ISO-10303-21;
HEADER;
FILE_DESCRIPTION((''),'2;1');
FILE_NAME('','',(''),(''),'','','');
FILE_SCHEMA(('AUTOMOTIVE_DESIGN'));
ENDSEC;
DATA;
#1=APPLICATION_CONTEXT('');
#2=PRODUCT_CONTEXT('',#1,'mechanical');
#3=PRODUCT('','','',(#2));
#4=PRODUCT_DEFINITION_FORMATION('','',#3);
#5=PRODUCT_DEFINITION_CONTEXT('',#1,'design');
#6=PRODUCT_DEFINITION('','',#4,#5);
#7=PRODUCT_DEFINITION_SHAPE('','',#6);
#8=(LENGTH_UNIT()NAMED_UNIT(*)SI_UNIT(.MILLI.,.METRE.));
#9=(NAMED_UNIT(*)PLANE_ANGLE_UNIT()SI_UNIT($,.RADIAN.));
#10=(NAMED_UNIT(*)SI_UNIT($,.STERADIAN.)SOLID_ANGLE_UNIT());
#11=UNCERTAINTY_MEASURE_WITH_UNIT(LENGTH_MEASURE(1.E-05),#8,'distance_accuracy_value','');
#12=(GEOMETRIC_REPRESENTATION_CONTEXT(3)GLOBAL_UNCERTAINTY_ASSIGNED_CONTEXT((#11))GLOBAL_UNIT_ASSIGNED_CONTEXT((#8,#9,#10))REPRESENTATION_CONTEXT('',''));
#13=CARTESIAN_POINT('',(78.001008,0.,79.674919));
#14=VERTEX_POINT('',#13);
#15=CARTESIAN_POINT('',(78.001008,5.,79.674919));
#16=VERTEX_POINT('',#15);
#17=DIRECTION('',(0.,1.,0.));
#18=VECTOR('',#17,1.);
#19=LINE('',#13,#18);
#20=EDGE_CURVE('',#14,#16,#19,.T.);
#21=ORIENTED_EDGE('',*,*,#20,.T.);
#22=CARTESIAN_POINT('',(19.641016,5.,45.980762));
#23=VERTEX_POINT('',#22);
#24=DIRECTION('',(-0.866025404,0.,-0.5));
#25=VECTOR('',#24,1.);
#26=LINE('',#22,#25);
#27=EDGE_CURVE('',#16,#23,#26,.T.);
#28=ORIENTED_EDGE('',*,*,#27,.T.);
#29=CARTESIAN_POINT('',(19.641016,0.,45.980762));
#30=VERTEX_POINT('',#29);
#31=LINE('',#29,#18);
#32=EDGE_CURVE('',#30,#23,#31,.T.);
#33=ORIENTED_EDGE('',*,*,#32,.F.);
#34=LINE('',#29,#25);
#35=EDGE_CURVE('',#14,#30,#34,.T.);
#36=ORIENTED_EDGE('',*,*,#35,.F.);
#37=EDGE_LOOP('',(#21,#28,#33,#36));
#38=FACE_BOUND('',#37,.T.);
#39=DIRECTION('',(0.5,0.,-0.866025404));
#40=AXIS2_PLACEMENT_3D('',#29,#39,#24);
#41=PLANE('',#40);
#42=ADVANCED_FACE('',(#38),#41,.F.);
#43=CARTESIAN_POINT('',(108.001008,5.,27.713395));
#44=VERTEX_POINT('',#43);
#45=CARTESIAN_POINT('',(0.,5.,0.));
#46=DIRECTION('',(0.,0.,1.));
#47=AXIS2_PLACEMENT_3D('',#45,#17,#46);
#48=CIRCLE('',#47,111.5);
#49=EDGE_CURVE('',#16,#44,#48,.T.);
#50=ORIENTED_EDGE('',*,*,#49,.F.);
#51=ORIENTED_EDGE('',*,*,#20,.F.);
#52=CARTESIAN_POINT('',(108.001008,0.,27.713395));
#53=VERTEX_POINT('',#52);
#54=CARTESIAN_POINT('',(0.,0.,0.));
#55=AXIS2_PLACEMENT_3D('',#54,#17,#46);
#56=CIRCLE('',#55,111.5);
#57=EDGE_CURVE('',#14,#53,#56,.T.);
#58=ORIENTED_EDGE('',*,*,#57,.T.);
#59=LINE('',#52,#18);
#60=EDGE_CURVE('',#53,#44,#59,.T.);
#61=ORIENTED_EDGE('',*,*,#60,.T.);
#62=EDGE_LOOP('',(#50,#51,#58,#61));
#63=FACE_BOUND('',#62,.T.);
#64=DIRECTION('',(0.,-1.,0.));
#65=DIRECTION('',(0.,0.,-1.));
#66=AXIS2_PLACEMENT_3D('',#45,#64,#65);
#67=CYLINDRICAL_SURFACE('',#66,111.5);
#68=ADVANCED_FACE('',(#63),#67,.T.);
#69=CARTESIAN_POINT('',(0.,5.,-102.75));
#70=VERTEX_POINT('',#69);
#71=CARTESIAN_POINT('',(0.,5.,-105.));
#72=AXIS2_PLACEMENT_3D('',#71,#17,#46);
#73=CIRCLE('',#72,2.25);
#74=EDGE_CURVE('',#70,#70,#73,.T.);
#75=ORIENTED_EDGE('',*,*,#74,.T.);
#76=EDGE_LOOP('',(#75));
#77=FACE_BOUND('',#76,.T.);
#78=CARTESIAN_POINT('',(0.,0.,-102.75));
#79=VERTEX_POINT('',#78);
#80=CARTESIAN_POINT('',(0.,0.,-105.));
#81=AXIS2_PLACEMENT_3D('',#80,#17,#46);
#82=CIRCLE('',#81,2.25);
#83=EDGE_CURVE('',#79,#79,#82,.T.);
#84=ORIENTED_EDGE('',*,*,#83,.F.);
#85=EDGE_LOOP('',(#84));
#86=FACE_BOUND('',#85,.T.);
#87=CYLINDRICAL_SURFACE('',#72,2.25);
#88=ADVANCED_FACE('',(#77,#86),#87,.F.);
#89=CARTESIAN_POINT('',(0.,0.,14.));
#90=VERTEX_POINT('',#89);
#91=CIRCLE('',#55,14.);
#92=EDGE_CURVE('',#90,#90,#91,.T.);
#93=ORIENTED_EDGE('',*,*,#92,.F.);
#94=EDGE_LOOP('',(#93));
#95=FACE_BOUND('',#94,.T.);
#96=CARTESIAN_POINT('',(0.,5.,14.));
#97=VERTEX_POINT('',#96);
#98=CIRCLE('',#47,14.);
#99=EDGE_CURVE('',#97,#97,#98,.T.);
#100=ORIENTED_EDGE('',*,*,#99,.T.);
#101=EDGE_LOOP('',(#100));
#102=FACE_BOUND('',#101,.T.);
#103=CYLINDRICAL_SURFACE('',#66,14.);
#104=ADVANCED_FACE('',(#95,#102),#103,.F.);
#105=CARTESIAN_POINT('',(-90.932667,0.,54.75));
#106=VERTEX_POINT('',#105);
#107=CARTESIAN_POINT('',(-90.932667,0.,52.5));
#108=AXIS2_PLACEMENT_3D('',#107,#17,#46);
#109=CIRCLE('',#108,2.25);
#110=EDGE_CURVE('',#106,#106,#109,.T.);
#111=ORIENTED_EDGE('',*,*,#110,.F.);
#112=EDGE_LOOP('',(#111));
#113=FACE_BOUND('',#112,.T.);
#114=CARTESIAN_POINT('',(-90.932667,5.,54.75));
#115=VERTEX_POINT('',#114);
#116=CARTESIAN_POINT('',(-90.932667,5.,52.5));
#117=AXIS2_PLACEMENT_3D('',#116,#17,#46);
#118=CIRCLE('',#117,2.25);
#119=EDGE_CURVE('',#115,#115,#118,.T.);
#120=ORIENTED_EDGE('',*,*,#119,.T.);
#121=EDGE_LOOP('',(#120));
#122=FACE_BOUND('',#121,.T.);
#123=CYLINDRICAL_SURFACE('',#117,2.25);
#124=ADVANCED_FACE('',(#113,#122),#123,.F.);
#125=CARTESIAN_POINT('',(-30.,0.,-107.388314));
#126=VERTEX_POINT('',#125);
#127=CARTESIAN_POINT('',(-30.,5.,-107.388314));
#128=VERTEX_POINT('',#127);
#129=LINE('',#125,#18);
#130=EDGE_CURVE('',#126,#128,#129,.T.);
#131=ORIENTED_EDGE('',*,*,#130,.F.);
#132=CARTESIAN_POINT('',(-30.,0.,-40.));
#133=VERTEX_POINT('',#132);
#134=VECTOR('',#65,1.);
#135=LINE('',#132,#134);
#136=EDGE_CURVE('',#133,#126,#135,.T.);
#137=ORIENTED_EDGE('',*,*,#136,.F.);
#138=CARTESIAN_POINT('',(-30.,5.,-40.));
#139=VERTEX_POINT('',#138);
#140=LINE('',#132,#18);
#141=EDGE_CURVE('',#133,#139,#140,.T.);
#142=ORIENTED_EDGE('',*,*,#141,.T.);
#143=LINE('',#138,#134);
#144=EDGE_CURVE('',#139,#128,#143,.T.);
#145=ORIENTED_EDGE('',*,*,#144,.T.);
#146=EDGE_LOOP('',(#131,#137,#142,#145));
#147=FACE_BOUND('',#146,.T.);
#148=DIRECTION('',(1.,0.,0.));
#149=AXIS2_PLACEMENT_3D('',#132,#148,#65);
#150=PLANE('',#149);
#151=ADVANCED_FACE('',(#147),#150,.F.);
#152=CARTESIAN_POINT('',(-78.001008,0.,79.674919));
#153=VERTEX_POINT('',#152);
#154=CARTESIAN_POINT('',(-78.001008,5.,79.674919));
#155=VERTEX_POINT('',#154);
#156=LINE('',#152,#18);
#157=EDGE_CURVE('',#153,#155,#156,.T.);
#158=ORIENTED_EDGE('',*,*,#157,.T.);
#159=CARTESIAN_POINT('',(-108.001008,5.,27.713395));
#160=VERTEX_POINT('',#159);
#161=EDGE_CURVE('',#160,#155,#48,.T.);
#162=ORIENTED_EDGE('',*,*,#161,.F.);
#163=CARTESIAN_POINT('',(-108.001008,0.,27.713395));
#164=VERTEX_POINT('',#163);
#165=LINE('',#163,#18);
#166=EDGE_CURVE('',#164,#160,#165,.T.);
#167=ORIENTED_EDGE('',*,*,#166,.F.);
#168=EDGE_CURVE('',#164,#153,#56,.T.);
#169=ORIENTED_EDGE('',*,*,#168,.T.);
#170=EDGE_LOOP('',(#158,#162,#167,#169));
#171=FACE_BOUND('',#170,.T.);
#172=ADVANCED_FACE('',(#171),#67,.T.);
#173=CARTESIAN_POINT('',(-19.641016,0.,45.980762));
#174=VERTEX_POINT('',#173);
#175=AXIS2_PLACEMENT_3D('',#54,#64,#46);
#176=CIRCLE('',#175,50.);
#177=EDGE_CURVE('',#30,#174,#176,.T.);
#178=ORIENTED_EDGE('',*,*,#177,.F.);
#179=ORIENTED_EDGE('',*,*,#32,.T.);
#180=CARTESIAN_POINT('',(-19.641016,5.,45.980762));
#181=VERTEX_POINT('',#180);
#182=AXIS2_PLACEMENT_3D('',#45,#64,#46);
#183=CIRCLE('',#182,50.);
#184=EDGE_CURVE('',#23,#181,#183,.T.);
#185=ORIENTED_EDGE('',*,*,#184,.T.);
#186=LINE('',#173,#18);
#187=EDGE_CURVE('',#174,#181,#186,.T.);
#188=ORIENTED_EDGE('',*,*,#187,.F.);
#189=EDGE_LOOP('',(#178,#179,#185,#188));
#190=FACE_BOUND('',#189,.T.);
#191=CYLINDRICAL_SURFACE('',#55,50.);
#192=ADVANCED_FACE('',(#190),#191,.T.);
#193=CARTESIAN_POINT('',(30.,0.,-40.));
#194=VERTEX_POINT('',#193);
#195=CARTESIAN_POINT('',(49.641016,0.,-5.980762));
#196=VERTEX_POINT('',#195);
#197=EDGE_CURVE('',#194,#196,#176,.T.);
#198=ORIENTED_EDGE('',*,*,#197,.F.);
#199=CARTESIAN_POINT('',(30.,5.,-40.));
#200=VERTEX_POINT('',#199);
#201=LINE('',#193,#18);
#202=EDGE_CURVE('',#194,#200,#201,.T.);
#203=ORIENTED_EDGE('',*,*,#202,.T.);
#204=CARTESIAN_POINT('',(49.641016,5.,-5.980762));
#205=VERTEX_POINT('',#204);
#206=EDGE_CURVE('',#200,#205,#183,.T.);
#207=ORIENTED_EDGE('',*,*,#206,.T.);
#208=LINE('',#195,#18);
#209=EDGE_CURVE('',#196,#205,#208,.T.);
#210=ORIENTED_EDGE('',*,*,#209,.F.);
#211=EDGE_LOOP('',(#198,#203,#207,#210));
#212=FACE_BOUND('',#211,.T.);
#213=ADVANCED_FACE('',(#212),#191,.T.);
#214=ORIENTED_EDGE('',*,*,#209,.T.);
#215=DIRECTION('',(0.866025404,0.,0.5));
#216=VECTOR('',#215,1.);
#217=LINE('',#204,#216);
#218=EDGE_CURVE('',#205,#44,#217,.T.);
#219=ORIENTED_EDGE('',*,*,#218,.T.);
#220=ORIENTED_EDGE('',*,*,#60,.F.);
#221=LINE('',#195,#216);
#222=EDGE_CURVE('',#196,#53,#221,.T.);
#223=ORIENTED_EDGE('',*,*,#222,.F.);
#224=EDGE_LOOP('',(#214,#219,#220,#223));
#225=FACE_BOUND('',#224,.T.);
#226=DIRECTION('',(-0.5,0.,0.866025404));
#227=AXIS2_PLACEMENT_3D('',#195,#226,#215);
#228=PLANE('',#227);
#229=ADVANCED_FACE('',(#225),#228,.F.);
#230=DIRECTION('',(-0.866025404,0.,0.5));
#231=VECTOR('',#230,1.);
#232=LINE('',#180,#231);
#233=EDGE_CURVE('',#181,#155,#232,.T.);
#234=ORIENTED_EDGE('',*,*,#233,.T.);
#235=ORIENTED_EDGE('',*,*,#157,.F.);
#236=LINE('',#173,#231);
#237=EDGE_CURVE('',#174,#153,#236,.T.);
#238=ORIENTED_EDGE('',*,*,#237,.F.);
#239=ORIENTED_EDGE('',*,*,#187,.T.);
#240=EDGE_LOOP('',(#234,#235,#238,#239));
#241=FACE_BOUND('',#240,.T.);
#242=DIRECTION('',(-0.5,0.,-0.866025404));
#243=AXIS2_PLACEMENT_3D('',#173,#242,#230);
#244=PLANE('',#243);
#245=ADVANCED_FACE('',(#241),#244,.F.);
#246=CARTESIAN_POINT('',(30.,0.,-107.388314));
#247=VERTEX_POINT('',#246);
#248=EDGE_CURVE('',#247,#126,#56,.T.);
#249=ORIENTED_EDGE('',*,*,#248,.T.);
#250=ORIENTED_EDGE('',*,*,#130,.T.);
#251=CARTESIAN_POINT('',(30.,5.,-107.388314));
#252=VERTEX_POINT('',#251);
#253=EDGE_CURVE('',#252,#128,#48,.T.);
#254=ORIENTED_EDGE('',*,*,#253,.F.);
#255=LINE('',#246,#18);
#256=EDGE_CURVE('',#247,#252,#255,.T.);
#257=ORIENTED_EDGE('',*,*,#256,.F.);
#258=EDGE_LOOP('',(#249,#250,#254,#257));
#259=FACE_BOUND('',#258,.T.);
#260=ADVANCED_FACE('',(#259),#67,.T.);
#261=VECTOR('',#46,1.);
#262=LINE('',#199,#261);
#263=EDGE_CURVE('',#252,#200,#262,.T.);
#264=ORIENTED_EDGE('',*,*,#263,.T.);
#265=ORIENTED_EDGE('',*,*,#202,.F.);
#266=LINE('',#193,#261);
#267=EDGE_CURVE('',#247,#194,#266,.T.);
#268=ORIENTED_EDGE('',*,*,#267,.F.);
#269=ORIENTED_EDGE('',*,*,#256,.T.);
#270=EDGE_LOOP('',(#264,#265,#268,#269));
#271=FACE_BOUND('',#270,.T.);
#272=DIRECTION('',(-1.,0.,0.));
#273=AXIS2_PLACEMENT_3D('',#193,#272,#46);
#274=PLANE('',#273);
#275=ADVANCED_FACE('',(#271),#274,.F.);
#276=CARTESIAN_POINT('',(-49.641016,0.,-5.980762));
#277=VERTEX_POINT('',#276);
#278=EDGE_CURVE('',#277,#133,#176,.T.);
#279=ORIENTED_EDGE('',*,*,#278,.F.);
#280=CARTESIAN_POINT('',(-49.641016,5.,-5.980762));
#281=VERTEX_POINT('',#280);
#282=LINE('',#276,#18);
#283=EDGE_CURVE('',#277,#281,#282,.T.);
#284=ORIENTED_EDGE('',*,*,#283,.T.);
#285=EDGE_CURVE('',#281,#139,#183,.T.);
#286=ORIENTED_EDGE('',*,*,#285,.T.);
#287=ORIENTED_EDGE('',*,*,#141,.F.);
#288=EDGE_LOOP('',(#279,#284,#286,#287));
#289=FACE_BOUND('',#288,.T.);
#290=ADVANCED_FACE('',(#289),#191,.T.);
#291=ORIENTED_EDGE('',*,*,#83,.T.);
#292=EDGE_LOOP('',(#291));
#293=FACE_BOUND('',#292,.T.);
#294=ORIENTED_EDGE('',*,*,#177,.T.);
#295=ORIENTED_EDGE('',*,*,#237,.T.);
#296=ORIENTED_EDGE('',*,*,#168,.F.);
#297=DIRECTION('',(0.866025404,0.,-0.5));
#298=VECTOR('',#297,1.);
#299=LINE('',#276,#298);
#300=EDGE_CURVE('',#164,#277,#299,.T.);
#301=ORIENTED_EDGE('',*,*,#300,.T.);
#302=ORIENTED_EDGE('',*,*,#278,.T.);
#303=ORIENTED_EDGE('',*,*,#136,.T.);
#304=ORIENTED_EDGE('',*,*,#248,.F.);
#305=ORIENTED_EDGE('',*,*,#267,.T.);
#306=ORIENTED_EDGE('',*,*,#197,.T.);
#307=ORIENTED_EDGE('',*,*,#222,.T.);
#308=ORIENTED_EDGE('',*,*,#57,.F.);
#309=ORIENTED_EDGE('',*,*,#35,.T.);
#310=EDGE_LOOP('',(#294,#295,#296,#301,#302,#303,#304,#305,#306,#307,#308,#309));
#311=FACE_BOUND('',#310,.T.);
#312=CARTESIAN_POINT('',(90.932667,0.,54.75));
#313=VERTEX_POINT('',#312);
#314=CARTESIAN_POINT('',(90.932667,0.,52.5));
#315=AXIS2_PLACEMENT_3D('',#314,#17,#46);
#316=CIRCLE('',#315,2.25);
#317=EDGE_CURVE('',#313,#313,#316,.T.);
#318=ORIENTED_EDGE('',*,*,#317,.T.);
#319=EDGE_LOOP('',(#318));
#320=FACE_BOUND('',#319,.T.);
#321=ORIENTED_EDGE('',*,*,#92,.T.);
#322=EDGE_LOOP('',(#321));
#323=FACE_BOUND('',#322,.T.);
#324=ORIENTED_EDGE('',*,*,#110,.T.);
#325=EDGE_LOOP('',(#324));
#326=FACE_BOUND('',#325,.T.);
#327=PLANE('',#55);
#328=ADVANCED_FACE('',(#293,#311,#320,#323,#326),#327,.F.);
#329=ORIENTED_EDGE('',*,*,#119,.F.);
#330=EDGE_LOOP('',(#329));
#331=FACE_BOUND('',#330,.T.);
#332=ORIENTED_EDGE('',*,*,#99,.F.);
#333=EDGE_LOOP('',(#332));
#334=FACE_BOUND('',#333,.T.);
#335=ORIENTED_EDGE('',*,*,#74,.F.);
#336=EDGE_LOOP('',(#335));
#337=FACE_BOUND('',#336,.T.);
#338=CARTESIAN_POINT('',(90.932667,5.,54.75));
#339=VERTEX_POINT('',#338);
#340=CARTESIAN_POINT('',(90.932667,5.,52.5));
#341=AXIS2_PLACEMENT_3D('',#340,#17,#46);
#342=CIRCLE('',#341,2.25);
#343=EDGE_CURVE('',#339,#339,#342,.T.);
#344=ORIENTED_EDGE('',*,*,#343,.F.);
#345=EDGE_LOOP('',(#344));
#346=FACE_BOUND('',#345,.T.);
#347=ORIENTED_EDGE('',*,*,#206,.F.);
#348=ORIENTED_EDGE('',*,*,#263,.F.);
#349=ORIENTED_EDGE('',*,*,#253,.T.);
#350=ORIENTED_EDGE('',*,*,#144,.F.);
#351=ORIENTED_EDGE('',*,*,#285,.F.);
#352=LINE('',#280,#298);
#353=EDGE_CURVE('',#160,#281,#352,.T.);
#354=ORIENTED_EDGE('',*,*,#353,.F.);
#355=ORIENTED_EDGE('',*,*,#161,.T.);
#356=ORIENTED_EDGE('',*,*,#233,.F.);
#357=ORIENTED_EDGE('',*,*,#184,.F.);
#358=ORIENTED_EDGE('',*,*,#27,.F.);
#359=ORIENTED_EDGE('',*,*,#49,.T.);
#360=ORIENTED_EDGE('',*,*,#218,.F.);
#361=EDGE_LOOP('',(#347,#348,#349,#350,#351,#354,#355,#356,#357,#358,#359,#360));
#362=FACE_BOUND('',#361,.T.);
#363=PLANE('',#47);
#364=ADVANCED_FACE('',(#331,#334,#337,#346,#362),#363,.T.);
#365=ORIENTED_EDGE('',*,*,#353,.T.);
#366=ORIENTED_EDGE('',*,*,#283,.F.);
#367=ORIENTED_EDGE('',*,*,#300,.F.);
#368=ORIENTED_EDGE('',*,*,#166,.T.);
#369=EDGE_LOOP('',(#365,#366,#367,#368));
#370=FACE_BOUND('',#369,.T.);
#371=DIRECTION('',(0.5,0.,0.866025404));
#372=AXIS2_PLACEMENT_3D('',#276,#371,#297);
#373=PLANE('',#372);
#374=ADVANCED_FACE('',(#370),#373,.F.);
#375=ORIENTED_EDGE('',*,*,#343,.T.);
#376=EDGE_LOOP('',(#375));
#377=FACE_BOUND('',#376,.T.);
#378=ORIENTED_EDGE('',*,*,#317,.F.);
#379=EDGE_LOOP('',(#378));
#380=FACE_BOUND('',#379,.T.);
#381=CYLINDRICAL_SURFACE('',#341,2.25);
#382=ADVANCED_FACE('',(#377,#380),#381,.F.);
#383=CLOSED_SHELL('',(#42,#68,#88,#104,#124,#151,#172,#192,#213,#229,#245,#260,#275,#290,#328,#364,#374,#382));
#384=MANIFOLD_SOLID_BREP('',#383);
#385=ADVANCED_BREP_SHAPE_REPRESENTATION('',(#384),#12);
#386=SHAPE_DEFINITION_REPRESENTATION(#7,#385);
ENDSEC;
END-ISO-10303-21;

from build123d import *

# Parameters (mm, degrees)
SKETCH2_R            = 111.5
SKETCH2_R_2          = 14
BOSS_EXTRUDE1_DEPTH  = 5
M4_CLEARANCE_HOLE2_D = 4.5
CUT_EXTRUDE1_DEPTH   = 6


with BuildPart() as part:
    # Sketch2 → Boss-Extrude1 (new body)
    with BuildSketch(Plane(origin=(0, 0, 0), x_dir=(1, 0, 0), z_dir=(0, 1, 0))):
        Circle(SKETCH2_R)
        Circle(SKETCH2_R_2, mode=Mode.SUBTRACT)
    extrude(amount=BOSS_EXTRUDE1_DEPTH)

    # M4 Clearance Hole2 (through all)
    with Locations(Plane(origin=(0, 5, 0), x_dir=(1, 0, 0), z_dir=(0, 1, 0))):
        with Locations((-90.932667397, -52.5), (90.932667397, -52.5), (0, 105)):
            Hole(M4_CLEARANCE_HOLE2_D / 2)

    # Sketch8 → Cut-Extrude1 (cut, through all)
    with BuildSketch(Plane(origin=(0, 5, 0), x_dir=(1, 0, 0), z_dir=(0, 1, 0))):
        with BuildLine():
            Line((-30, 40), (-30, 107.388314076))
            ThreePointArc((-30, 107.388314076), (-96.561832522, 55.75), (-108.001008059, -27.713394924))
            Line((-108.001008059, -27.713394924), (-49.641016151, 5.980762114))
            ThreePointArc((-49.641016151, 5.980762114), (-43.301270189, 25), (-30, 40))
        make_face()
        with BuildLine():
            Line((30, 40), (30, 107.388314076))
            ThreePointArc((30, 107.388314076), (96.561832522, 55.75), (108.001008059, -27.713394924))
            Line((108.001008059, -27.713394924), (49.641016151, 5.980762114))
            ThreePointArc((49.641016151, 5.980762114), (43.301270189, 25), (30, 40))
        make_face()
        with BuildLine():
            Line((19.641016151, -45.980762114), (78.001008059, -79.674919151))
            ThreePointArc((78.001008059, -79.674919151), (0, -111.5), (-78.001008059, -79.674919151))
            Line((-78.001008059, -79.674919151), (-19.641016151, -45.980762114))
            ThreePointArc((-19.641016151, -45.980762114), (0, -50), (19.641016151, -45.980762114))
        make_face()
    extrude(amount=-CUT_EXTRUDE1_DEPTH, mode=Mode.SUBTRACT)


solid = part.part
